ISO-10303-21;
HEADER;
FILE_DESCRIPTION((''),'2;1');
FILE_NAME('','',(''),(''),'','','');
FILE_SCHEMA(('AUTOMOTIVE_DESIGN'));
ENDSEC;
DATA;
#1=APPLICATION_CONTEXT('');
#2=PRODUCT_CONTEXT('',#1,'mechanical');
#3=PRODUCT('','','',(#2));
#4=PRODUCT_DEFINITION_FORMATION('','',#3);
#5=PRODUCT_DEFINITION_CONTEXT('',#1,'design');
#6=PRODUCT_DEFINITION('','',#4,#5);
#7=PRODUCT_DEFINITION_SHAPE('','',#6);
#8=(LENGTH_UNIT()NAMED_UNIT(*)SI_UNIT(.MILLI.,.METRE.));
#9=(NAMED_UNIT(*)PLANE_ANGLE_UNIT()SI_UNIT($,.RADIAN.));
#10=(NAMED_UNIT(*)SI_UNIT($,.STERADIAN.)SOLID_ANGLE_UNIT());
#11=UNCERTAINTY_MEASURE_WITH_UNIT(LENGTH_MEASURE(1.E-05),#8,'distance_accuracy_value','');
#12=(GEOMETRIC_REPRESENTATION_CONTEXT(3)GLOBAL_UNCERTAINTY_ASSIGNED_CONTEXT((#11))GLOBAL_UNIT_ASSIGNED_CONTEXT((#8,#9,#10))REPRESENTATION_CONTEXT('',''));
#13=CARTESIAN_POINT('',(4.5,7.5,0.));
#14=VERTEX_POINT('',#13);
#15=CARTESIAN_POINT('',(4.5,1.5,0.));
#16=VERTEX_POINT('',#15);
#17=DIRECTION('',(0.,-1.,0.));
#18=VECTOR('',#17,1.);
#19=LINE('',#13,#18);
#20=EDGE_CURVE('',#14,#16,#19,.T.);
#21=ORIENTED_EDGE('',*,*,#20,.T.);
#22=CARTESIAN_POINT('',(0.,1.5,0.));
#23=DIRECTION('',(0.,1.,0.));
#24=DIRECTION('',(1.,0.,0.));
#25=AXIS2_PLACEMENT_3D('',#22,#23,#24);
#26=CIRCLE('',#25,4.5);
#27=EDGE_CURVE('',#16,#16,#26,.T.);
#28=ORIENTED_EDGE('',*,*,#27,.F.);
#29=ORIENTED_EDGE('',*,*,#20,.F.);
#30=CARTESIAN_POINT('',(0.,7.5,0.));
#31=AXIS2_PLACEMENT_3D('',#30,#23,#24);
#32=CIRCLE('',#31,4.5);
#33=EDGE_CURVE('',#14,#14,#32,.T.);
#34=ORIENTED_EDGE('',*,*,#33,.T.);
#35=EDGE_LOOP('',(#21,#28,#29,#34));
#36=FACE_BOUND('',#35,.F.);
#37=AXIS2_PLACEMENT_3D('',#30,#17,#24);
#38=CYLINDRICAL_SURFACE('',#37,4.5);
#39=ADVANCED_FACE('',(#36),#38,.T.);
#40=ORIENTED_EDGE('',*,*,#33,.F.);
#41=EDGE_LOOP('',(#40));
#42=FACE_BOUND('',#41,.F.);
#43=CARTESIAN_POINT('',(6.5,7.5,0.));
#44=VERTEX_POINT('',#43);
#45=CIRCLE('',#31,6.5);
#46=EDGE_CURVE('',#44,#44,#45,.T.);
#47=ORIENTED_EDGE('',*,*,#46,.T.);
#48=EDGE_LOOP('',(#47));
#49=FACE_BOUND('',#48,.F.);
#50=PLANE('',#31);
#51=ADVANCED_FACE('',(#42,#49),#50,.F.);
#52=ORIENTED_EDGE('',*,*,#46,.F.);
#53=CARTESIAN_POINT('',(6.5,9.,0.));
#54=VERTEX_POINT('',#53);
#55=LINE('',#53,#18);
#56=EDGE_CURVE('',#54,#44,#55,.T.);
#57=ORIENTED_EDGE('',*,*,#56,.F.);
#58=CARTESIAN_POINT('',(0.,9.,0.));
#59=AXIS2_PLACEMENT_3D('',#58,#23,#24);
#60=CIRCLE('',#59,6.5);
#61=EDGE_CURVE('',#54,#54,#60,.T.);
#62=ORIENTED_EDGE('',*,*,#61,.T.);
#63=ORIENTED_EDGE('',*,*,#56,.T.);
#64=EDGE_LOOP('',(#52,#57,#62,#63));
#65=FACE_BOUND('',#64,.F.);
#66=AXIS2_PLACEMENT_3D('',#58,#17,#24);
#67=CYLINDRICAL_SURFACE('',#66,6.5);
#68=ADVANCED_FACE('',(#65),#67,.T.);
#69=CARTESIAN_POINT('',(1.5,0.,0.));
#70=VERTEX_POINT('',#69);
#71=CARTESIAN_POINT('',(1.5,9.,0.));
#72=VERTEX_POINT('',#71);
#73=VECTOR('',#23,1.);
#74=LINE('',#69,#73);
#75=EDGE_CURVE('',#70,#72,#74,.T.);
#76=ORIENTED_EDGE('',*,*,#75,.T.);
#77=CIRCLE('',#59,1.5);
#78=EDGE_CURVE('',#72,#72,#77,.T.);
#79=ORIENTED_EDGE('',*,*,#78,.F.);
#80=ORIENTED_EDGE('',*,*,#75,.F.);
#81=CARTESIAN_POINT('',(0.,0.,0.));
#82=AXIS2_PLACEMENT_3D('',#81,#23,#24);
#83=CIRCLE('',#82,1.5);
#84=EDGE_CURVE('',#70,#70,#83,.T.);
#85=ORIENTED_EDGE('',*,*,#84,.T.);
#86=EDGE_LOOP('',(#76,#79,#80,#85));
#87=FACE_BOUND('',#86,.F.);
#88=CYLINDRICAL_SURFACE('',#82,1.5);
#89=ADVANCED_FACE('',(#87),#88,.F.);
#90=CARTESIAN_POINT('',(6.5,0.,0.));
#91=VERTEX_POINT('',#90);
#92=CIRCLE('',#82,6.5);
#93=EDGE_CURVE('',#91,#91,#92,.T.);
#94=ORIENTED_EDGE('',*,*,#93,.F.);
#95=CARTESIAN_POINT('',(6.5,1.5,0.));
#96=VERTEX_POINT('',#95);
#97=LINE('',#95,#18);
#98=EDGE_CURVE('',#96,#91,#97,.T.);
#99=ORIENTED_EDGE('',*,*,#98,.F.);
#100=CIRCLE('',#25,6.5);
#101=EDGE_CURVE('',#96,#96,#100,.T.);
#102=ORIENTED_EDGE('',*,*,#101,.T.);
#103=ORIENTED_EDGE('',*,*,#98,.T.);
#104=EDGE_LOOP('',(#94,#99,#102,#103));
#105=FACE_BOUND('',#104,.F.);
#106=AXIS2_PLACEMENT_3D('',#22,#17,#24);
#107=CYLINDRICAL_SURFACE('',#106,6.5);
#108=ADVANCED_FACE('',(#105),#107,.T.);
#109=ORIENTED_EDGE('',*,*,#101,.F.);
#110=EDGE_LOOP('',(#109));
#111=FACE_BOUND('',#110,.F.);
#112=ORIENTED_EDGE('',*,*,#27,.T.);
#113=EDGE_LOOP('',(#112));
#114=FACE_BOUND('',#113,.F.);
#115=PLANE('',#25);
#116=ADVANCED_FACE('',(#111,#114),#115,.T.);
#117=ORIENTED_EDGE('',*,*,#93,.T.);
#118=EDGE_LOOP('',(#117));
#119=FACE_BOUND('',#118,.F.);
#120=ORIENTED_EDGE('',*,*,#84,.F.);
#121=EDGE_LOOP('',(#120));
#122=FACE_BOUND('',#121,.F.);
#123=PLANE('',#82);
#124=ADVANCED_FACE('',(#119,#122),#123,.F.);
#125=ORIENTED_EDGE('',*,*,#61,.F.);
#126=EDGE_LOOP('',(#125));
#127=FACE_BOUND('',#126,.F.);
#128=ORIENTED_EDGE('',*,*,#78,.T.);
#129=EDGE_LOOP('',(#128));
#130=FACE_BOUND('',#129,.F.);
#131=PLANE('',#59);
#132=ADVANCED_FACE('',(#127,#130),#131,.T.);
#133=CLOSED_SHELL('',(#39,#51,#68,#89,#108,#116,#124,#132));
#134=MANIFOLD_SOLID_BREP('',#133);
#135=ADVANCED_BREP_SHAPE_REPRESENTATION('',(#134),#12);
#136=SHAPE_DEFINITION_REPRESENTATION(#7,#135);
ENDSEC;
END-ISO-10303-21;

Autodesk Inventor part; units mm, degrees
ref_plane "YZ Plane" through (0, 0, 0) normal (1, 0, 0) x (0, 1, 0)
ref_plane "XZ Plane" through (0, 0, 0) normal (0, 1, 0) x (-1, 0, 0)
ref_plane "XY Plane" through (0, 0, 0) normal (0, 0, 1) x (1, 0, 0)
sketch "Sketch1" plane through (0, 0, 0) normal (0, 0, 1) x (1, 0, 0)
  line L0 (1.5, 0) -> (1.5, 9)
  line L1 (1.5, 9) -> (6.5, 9)
  line L2 (6.5, 9) -> (6.5, 7.5)
  line L3 (6.5, 7.5) -> (4.5, 7.5)
  line L4 (4.5, 7.5) -> (4.5, 1.5)
  line L5 (4.5, 1.5) -> (6.5, 1.5)
  line L6 (6.5, 1.5) -> (6.5, 0)
  line L7 (6.5, 0) -> (1.5, 0)
  line L8 (0, -1.8) -> (0, 10.8) projected
  point P0 (0, 0)
  dimension "d0" = 9
  dimension "d1" = 5
  dimension "d2" = 1.5
  dimension "d3" = 2
  dimension "d4" = 1.5
revolve "Revolution1" add sketch "Sketch1" angle 360 about axis through (0, -10, 0) along (0, 1, 0)
properties part number "IdlePulley"
